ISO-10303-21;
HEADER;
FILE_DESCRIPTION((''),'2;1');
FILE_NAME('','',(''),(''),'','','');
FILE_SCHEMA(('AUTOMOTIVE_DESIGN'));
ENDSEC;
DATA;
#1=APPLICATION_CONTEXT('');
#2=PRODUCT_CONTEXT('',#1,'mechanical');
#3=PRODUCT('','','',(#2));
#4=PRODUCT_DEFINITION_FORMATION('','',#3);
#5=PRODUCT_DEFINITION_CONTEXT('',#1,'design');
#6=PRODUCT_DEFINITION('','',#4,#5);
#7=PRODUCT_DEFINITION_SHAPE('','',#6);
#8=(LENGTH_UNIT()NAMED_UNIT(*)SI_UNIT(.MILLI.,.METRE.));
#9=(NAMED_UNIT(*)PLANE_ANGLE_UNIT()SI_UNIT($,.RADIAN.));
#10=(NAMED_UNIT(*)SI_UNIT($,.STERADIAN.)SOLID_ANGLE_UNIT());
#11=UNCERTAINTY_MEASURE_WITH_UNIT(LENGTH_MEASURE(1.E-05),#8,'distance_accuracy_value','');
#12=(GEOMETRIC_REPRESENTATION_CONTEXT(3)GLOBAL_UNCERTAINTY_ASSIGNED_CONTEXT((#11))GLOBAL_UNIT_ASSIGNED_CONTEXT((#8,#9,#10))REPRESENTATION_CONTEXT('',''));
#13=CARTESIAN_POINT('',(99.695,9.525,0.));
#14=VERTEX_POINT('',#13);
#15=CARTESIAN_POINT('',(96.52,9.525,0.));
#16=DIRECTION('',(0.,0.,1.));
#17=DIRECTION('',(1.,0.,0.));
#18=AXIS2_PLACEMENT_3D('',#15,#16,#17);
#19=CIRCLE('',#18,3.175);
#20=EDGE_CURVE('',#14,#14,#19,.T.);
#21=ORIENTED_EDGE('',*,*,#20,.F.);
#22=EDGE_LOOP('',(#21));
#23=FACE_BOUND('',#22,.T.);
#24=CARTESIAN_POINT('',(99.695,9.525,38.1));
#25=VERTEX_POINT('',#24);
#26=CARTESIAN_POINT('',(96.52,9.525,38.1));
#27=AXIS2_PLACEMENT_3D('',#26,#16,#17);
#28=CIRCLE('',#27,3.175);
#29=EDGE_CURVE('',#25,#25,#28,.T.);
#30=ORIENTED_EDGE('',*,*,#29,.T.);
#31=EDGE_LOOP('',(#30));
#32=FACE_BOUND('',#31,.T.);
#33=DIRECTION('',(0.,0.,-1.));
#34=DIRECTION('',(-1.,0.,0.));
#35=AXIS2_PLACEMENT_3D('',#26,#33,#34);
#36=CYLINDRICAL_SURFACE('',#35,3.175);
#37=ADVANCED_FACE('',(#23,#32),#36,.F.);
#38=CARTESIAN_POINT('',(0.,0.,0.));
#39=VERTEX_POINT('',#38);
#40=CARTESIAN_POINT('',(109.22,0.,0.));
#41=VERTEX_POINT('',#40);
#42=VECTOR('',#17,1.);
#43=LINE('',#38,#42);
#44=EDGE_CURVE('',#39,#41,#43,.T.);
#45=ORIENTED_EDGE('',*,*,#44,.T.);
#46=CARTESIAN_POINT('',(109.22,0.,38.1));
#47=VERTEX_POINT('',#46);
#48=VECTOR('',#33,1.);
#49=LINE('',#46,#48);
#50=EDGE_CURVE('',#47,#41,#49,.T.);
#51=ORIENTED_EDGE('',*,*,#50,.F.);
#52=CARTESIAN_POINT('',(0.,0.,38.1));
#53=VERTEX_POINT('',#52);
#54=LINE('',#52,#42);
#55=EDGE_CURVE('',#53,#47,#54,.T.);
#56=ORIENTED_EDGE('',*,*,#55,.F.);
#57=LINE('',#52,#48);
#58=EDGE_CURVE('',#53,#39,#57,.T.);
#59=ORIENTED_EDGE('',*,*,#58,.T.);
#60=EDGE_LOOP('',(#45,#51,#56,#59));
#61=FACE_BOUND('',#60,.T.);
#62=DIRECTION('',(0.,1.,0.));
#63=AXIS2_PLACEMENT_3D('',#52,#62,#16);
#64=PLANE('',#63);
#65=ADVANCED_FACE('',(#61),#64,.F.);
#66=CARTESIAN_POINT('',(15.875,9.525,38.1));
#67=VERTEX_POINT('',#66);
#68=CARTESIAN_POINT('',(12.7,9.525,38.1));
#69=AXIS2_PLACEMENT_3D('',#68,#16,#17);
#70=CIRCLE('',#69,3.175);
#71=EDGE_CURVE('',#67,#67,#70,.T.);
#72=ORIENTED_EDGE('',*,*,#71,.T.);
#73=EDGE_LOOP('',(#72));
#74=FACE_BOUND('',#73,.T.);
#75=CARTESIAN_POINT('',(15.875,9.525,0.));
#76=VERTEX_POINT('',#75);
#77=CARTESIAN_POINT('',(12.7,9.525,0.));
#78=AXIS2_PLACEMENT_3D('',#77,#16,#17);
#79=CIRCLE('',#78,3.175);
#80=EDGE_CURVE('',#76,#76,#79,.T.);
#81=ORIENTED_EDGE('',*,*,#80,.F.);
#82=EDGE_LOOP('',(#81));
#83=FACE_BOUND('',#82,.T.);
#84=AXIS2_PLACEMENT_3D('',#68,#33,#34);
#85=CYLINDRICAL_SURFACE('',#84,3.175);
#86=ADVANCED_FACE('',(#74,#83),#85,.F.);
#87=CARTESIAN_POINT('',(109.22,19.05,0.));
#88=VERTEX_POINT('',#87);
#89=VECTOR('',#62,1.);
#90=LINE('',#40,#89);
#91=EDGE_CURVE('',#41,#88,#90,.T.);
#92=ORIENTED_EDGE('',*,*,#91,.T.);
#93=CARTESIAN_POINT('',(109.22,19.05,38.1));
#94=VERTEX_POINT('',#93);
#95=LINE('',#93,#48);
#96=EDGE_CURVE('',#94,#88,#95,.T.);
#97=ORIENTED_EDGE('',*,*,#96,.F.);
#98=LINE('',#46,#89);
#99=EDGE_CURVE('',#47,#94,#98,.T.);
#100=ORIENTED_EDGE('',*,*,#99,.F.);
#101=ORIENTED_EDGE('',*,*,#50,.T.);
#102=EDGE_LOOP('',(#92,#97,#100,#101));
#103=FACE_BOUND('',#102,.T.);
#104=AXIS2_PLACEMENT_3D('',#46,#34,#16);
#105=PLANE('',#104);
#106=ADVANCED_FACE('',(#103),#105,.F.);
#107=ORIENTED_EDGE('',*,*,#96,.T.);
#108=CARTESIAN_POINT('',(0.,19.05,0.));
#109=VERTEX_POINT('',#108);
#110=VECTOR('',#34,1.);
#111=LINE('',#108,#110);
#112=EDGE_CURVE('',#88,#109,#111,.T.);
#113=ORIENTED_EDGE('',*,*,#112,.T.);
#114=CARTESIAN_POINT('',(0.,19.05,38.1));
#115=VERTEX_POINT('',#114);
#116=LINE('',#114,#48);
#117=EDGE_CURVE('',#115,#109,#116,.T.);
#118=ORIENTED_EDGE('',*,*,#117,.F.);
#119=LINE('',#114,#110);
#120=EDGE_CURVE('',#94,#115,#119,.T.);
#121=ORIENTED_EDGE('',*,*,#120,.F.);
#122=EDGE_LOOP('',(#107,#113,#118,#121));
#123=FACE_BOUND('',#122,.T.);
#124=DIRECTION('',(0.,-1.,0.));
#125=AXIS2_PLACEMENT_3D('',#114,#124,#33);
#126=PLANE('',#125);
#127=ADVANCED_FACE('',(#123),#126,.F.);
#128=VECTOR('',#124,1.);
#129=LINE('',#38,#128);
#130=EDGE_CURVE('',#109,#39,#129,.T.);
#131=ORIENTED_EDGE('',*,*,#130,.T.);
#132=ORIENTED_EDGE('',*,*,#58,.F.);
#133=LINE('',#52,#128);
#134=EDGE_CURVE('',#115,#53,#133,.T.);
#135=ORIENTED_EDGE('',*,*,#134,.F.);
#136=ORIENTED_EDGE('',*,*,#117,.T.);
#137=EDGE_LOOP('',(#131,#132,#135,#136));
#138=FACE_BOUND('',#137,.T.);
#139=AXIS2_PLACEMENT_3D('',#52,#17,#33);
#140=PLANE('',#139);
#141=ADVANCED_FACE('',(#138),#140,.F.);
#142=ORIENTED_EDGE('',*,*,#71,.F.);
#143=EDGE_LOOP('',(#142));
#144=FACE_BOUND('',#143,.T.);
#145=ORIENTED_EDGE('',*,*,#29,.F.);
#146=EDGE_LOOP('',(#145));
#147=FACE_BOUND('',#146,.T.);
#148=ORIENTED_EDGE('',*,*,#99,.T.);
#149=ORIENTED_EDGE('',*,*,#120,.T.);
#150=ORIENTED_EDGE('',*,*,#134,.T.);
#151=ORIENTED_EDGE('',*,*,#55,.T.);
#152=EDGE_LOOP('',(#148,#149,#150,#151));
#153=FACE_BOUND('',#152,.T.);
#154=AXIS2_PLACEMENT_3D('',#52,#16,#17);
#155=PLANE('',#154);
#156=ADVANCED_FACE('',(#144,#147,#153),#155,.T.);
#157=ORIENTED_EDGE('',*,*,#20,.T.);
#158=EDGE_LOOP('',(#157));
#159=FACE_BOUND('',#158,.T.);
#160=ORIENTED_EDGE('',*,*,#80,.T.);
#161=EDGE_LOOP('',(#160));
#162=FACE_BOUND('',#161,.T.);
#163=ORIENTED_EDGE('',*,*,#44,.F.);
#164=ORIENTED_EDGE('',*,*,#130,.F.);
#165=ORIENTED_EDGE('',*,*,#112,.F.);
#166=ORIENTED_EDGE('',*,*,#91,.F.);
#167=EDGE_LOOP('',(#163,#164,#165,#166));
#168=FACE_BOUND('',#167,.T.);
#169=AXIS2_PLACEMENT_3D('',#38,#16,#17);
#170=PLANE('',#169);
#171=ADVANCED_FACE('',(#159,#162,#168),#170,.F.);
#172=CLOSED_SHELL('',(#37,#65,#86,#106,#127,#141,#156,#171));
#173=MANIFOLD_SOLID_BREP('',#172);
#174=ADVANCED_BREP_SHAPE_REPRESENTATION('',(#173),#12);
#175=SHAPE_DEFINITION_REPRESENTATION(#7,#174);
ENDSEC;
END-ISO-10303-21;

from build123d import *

# Parameters (mm, degrees)
SKETCH1_W        = 109.22
SKETCH1_H        = 19.05
SKETCH1_R        = 3.175
EXTRUSION1_DEPTH = 38.1


with BuildPart() as part:
    # Sketch1 → Extrusion1 (new body)
    with BuildSketch(Plane.XY):
        with Locations((54.61, 9.525)):
            Rectangle(SKETCH1_W, SKETCH1_H)
        with Locations((96.52, 9.525)):
            Circle(SKETCH1_R, mode=Mode.SUBTRACT)
        with Locations((12.7, 9.525)):
            Circle(SKETCH1_R, mode=Mode.SUBTRACT)
    extrude(amount=EXTRUSION1_DEPTH)


solid = part.part
